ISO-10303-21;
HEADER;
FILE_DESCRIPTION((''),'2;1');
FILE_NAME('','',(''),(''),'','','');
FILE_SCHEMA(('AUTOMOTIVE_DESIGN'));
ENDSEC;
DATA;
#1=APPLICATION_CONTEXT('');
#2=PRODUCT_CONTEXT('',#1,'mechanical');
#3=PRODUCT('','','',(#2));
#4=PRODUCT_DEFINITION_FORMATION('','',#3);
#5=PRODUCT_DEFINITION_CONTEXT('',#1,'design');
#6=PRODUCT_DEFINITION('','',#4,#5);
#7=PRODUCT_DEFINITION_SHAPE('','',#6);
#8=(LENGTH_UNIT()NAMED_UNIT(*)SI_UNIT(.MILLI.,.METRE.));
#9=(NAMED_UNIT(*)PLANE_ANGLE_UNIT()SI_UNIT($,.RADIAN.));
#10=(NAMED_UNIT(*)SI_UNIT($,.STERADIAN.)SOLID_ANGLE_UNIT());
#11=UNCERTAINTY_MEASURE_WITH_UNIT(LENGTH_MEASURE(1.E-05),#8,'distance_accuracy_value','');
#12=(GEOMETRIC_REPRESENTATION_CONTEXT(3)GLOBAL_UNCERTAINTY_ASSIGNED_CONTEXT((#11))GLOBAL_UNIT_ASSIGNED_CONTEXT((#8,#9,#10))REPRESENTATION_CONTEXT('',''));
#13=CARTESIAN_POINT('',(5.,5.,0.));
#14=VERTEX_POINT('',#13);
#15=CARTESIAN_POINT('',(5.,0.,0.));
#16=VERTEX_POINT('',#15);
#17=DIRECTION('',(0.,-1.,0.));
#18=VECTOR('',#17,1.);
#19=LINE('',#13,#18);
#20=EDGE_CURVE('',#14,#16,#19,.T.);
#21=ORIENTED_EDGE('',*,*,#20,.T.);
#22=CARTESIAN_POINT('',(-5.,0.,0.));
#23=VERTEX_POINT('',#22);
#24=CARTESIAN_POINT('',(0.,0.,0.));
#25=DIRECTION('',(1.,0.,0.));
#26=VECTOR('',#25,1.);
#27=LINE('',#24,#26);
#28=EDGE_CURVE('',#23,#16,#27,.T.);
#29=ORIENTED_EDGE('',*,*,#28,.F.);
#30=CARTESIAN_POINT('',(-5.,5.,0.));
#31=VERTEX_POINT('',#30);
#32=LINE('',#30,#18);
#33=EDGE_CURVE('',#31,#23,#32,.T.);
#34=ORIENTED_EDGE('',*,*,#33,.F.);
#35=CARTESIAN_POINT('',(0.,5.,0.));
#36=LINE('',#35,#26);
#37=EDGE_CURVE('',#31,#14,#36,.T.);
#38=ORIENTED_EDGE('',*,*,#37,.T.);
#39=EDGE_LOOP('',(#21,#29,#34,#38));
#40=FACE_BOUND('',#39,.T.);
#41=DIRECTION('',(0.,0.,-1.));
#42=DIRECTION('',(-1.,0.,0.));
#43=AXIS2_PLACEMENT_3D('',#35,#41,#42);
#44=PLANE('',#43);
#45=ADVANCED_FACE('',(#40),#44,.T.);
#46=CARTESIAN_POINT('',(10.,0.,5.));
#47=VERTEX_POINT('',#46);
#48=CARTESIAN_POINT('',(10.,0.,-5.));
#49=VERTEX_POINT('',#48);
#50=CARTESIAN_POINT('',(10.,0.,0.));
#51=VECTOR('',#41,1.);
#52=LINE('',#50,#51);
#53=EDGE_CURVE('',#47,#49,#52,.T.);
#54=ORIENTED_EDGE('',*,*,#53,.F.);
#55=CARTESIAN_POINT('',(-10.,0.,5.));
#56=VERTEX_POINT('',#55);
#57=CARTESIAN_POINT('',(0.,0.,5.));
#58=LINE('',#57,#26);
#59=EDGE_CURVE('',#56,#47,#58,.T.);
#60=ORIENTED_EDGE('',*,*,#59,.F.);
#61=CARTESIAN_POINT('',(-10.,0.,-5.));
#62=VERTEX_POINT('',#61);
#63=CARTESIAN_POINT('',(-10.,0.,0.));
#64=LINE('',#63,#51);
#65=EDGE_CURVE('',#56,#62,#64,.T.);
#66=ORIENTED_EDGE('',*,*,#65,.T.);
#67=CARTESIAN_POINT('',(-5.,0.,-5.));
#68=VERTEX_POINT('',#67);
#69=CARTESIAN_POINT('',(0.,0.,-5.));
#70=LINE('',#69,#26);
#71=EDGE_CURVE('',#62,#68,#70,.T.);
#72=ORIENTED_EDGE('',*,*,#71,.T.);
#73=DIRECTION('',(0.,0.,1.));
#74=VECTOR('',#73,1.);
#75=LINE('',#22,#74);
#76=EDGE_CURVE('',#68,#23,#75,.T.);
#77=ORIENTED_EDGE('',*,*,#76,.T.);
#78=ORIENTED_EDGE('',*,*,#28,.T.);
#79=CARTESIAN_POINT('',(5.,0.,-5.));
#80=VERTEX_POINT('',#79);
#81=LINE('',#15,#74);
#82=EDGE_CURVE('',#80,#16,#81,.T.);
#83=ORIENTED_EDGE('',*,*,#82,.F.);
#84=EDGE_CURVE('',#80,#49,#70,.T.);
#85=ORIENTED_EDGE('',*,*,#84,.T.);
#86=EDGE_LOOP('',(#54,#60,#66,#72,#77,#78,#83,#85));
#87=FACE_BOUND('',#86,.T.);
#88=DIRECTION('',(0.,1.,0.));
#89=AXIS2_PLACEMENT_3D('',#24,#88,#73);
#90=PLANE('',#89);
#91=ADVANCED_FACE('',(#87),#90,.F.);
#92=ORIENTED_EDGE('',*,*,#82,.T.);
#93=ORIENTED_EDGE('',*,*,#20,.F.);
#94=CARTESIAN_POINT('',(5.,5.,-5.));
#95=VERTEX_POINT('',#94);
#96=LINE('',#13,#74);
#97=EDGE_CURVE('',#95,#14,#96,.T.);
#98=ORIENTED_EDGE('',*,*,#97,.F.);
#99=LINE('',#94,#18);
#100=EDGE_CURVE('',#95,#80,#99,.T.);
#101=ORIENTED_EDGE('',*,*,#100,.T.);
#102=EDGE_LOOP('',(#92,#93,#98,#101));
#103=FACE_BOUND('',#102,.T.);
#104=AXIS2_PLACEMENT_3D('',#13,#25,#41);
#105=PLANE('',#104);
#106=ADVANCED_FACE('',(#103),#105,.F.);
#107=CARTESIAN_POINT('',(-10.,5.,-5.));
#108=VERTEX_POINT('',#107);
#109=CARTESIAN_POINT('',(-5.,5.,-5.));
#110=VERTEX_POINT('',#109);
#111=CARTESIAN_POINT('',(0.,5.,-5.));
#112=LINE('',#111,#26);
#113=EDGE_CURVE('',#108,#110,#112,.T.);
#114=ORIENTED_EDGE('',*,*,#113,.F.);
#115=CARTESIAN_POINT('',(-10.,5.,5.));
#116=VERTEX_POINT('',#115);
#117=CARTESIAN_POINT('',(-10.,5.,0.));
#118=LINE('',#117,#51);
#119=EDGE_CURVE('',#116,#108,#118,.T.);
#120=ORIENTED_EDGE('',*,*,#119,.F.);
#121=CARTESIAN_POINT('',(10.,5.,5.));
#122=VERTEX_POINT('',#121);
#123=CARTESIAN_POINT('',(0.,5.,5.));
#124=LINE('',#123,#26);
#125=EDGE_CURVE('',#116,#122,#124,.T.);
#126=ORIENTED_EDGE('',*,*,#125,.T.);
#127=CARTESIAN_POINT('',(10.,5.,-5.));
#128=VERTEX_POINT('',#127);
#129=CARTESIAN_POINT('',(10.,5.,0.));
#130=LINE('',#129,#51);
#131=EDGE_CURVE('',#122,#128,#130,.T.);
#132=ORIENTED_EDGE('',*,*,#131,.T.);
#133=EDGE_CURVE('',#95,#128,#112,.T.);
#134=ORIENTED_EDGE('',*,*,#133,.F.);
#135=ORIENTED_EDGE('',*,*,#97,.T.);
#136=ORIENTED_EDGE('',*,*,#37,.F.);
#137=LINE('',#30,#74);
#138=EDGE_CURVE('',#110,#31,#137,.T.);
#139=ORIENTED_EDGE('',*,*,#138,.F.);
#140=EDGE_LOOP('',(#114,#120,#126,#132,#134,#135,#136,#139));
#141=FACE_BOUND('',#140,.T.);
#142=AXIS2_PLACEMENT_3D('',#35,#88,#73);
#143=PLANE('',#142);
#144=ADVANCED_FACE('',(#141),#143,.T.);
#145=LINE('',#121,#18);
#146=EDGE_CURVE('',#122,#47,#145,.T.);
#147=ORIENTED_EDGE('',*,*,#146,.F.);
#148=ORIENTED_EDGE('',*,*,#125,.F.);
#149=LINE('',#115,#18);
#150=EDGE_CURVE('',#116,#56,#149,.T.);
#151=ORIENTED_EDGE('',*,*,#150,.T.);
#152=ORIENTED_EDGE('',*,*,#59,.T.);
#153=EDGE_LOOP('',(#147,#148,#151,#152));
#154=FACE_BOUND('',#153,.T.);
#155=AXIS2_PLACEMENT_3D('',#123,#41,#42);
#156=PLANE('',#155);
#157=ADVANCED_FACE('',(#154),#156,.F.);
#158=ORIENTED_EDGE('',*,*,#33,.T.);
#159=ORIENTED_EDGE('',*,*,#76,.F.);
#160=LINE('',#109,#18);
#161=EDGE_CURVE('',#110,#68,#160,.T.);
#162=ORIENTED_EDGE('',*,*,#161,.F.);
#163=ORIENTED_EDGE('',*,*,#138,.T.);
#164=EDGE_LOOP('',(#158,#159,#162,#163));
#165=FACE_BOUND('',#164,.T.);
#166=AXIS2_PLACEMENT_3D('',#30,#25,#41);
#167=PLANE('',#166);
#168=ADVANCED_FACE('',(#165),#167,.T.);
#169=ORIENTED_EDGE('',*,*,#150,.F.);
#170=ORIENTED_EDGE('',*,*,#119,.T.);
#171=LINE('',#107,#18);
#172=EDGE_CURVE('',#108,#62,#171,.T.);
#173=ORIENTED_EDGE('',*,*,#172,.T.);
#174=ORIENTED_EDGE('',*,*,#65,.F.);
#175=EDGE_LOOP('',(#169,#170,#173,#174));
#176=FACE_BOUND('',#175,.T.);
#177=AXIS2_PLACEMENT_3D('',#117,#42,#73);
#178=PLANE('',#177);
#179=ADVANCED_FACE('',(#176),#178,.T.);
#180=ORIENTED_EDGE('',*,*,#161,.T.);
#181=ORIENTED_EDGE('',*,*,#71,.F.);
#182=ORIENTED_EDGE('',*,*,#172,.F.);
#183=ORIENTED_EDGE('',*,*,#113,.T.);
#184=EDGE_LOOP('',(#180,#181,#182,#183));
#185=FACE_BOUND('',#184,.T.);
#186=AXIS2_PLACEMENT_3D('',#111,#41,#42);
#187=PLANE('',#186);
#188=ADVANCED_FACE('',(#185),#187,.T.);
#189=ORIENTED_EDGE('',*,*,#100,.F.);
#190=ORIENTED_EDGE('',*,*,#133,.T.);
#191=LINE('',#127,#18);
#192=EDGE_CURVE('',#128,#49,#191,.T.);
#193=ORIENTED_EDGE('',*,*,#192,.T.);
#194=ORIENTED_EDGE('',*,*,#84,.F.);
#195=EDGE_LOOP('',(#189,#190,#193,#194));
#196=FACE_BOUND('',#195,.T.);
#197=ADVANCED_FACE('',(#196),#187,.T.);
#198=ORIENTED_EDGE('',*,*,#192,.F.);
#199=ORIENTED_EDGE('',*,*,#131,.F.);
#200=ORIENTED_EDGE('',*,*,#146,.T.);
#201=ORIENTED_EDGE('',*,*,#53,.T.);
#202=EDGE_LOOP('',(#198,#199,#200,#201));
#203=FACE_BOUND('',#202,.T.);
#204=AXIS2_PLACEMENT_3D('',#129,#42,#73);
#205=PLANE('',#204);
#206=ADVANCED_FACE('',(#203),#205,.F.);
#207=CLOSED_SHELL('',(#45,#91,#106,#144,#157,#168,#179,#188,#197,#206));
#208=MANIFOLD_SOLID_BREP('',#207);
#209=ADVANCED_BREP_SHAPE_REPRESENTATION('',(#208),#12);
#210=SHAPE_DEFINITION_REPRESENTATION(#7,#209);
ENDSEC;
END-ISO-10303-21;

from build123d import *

# Parameters (mm, degrees)
BOSS_EXTRUDE1_DEPTH = 5


with BuildPart() as part:
    # Sketch1 → Boss-Extrude1 (new body)
    with BuildSketch(Plane(origin=(0, 0, 0), x_dir=(1, 0, 0), z_dir=(0, 1, 0))):
        Polygon((-10, 5), (-10, -5), (10, -5), (10, 5), (5, 5), (5, 0), (-5, 0), (-5, 5), align=None)
    extrude(amount=BOSS_EXTRUDE1_DEPTH)


solid = part.part
